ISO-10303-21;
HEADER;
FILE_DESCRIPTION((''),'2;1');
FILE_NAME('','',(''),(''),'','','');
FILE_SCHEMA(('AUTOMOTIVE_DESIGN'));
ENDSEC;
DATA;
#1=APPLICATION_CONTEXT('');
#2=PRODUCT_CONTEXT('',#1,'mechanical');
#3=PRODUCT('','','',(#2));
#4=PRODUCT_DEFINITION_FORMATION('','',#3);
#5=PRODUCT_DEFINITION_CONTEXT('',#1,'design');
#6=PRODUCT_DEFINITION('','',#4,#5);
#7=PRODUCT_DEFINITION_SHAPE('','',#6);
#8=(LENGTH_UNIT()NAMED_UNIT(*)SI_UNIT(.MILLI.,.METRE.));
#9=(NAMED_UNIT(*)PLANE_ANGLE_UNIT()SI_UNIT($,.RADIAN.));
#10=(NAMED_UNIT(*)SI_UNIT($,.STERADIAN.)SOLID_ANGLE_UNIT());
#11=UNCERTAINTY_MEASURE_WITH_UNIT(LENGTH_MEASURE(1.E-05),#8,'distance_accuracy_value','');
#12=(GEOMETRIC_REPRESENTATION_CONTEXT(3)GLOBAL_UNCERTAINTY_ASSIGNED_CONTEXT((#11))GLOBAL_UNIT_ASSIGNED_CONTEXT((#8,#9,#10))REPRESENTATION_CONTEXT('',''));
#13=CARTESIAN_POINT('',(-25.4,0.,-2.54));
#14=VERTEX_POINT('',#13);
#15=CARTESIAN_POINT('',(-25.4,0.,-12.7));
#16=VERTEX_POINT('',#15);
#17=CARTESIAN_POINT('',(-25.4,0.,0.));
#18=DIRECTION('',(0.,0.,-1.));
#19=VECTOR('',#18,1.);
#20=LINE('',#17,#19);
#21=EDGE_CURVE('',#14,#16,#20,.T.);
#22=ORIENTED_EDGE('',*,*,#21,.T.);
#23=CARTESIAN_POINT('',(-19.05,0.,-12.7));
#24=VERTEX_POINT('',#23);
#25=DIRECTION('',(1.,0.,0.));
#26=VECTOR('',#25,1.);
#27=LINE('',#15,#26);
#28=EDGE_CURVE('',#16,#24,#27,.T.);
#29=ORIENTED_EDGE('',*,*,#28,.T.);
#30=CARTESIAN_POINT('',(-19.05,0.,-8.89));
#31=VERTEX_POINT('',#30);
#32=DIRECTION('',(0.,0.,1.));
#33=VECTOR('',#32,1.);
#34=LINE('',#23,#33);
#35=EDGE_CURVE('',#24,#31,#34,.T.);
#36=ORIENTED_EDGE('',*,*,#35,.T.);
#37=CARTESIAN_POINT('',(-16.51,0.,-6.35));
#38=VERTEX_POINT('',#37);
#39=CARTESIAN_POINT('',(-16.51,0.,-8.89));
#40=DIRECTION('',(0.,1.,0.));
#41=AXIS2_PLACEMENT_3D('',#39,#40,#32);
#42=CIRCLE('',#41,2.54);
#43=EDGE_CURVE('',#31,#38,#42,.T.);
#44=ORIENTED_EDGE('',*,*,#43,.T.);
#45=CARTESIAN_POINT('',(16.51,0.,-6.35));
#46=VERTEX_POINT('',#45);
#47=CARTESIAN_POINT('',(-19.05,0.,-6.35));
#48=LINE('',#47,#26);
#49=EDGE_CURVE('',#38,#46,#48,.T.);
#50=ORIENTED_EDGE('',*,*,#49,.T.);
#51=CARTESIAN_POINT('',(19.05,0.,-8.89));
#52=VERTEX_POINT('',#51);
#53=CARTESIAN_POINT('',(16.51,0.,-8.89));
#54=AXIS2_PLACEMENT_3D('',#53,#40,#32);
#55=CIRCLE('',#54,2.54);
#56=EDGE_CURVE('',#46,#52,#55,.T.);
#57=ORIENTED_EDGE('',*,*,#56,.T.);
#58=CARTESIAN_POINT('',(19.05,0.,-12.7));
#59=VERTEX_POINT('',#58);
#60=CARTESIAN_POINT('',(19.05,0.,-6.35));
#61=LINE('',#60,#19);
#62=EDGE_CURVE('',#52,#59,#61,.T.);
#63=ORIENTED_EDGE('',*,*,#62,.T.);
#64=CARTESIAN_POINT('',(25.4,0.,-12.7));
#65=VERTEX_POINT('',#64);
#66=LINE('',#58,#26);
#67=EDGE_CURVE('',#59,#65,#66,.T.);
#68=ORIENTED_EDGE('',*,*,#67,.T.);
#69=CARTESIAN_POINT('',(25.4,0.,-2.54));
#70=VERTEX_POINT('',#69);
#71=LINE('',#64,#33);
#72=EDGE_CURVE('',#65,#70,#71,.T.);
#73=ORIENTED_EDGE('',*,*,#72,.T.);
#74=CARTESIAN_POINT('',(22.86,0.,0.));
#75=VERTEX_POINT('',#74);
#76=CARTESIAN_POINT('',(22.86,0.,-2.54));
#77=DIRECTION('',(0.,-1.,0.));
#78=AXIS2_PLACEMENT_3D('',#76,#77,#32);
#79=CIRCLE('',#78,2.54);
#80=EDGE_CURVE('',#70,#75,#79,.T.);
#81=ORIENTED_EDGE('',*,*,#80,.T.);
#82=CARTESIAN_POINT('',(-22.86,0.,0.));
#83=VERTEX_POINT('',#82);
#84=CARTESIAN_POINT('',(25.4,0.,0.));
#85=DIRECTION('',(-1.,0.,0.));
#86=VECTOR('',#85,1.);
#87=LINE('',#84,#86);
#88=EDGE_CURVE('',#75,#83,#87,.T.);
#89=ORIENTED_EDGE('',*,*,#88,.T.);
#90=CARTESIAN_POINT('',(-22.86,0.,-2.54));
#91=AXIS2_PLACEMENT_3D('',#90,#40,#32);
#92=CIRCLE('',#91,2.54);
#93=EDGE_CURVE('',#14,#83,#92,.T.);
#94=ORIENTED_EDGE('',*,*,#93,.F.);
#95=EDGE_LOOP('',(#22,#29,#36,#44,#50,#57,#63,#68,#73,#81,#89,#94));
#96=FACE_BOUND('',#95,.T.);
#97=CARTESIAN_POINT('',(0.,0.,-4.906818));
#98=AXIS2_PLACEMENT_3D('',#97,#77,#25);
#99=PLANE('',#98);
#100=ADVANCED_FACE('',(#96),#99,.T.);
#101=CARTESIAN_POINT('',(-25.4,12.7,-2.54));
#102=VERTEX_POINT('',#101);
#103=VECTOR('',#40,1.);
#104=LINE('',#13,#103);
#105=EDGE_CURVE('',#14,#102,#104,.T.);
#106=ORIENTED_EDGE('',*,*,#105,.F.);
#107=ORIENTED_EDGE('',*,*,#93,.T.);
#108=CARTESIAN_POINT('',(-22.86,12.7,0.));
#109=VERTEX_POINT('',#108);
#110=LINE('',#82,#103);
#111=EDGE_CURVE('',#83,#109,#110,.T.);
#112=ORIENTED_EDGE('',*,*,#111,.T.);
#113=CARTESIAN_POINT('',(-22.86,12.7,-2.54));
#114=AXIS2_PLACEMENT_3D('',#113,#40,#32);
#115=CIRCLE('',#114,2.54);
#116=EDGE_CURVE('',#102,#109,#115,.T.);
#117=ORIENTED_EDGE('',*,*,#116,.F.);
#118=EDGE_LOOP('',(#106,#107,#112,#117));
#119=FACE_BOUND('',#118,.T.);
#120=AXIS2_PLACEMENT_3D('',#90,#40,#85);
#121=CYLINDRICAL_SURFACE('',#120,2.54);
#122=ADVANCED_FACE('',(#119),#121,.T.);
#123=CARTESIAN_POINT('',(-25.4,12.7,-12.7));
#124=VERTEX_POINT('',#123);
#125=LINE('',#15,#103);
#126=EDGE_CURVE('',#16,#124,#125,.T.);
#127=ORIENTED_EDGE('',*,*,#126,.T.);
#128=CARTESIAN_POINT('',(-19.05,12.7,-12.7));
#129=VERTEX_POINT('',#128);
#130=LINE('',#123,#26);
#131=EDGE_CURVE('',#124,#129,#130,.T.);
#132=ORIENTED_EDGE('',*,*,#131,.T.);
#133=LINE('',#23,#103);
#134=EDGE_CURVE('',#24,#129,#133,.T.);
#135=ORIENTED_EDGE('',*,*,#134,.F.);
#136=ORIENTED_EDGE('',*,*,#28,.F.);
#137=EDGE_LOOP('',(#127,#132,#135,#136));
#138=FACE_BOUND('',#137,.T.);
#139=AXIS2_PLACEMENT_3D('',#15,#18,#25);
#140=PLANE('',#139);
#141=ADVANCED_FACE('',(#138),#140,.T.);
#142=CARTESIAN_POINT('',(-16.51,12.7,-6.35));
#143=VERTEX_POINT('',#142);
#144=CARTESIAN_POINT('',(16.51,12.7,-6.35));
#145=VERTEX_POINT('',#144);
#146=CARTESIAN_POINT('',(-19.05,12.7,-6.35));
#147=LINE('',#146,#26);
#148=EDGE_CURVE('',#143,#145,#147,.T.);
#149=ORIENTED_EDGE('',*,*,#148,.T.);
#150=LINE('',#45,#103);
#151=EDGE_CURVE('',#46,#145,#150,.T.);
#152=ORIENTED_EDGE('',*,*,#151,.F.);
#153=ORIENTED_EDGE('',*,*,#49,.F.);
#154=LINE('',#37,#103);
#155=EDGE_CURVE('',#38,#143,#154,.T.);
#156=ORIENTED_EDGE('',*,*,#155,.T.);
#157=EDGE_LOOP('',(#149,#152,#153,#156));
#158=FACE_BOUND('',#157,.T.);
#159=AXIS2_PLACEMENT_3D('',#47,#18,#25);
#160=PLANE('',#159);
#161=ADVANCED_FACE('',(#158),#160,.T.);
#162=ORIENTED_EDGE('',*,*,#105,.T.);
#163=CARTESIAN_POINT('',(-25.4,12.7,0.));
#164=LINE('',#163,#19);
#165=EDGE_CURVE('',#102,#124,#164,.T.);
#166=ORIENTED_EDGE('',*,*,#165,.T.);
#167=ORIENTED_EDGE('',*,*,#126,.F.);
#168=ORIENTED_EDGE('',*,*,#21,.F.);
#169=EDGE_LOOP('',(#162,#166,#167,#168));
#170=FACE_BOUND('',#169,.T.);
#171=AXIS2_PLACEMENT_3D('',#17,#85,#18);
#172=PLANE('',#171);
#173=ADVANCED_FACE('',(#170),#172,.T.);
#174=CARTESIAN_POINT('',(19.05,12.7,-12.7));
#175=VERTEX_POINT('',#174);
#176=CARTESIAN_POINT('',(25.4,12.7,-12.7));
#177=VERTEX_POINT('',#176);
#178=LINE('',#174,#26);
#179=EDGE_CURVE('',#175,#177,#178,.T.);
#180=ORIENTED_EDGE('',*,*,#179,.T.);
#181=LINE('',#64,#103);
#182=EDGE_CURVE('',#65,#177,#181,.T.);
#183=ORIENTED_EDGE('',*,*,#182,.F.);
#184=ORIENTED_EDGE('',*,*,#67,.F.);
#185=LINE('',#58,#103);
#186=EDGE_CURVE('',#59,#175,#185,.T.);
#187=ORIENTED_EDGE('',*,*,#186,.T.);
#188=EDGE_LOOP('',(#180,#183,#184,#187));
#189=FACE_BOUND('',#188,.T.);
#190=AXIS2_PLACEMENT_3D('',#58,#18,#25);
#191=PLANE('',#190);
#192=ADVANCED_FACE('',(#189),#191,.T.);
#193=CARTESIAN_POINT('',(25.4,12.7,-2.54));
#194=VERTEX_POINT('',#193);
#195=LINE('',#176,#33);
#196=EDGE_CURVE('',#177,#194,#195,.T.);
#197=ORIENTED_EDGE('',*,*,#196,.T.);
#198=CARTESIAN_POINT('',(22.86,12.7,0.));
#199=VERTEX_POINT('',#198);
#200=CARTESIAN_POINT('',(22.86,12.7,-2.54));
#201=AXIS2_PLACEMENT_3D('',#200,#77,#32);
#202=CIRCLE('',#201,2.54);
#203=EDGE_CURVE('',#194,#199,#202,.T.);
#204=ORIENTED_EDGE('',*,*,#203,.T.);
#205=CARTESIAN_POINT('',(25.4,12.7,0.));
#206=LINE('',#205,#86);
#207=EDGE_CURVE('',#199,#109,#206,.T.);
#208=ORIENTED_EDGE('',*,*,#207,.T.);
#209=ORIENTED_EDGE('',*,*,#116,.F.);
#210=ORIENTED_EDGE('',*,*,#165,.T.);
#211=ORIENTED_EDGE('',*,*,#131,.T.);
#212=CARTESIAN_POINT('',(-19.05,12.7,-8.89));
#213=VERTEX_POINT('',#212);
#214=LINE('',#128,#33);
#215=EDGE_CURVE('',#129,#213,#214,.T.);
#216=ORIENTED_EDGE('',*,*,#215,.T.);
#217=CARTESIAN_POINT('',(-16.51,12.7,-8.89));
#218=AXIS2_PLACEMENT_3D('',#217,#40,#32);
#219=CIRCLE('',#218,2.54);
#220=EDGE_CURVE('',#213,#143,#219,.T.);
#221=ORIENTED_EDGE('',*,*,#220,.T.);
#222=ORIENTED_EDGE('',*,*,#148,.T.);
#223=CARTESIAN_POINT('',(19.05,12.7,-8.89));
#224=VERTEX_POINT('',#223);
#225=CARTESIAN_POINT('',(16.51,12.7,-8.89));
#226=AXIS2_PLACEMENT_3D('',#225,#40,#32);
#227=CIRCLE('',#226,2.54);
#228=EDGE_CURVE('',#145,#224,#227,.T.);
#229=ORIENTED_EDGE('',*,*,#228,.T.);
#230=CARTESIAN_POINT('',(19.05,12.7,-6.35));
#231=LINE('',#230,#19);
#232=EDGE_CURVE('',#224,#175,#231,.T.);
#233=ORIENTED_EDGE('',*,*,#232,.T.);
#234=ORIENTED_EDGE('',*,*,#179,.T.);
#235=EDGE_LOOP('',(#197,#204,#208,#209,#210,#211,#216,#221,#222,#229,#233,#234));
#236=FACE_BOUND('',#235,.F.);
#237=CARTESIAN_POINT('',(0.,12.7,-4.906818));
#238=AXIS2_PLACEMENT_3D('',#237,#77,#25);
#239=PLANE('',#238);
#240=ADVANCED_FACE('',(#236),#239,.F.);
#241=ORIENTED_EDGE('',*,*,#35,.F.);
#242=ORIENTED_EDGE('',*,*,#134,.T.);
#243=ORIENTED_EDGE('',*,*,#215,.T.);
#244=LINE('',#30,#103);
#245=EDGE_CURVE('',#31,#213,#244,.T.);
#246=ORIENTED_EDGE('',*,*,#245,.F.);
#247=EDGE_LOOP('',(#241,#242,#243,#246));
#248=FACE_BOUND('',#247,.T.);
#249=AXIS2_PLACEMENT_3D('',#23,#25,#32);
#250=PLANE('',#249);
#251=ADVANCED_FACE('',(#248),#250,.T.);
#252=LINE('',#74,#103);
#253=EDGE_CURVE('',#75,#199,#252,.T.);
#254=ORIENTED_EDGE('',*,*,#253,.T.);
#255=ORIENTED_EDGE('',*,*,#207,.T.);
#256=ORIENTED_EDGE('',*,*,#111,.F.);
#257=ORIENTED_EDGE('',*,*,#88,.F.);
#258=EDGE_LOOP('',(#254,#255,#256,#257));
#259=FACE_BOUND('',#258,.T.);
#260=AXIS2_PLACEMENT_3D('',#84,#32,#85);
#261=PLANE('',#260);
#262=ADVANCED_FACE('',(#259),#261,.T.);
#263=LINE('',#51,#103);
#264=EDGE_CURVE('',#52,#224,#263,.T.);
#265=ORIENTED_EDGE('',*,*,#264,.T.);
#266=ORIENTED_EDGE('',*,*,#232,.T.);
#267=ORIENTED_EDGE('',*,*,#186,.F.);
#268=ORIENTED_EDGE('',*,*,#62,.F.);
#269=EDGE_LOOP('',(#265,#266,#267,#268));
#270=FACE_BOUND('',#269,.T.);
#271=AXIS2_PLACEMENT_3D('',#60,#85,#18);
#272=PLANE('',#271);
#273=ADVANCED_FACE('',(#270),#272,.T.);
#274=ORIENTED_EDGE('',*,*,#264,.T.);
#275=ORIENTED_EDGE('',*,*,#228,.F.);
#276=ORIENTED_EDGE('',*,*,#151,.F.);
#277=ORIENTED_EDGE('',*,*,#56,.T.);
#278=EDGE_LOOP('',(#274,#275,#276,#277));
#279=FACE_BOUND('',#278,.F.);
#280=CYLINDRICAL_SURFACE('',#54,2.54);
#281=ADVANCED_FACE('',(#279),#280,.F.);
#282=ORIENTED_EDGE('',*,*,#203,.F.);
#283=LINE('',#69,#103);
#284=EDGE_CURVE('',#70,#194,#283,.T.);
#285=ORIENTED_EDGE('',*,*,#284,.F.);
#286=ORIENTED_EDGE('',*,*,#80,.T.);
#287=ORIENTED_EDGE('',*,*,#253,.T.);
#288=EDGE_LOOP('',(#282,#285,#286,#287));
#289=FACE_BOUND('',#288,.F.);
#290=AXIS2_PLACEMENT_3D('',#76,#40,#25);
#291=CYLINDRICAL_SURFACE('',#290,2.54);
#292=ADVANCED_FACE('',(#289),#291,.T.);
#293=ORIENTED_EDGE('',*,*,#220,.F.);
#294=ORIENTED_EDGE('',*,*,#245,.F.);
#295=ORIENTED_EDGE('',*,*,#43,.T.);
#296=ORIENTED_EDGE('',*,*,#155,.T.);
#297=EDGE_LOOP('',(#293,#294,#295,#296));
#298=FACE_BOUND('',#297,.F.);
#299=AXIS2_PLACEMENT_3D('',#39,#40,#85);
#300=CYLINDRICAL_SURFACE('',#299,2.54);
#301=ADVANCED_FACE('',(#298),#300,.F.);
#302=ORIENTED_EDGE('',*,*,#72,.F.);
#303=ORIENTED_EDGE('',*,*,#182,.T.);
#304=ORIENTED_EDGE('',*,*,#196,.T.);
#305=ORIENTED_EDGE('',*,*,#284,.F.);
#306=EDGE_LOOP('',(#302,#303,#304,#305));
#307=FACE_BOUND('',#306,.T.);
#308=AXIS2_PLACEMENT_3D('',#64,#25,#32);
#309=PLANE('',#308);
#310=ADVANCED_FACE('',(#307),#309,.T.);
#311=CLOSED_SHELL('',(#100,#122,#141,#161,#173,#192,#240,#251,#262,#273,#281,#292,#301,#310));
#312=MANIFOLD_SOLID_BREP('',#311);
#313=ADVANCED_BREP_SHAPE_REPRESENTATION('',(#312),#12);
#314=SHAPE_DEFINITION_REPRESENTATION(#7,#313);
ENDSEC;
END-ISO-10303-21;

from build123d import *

# Parameters (mm, degrees)
F1_DEPTH = 12.7
F2_R     = 2.54


with BuildPart() as f1:
    # F0 (on Front) → F1 (new body)
    with BuildSketch(Plane.XZ):
        Polygon((-25.4, 0), (-25.4, -12.7), (-19.05, -12.7), (-19.05, -6.35), (19.05, -6.35), (19.05, -12.7), (25.4, -12.7), (25.4, 0), align=None)
    extrude(amount=-F1_DEPTH)

    # F2
    f2_edges = [f1.edges().sort_by_distance(p)[0] for p in [
        (-19.05, 6.35, -6.35),
        (19.05, 6.35, -6.35),
        (-25.4, 6.35, 0),
        (25.4, 6.35, 0),
    ]]
    fillet(f2_edges, radius=F2_R)


solid = f1.part
